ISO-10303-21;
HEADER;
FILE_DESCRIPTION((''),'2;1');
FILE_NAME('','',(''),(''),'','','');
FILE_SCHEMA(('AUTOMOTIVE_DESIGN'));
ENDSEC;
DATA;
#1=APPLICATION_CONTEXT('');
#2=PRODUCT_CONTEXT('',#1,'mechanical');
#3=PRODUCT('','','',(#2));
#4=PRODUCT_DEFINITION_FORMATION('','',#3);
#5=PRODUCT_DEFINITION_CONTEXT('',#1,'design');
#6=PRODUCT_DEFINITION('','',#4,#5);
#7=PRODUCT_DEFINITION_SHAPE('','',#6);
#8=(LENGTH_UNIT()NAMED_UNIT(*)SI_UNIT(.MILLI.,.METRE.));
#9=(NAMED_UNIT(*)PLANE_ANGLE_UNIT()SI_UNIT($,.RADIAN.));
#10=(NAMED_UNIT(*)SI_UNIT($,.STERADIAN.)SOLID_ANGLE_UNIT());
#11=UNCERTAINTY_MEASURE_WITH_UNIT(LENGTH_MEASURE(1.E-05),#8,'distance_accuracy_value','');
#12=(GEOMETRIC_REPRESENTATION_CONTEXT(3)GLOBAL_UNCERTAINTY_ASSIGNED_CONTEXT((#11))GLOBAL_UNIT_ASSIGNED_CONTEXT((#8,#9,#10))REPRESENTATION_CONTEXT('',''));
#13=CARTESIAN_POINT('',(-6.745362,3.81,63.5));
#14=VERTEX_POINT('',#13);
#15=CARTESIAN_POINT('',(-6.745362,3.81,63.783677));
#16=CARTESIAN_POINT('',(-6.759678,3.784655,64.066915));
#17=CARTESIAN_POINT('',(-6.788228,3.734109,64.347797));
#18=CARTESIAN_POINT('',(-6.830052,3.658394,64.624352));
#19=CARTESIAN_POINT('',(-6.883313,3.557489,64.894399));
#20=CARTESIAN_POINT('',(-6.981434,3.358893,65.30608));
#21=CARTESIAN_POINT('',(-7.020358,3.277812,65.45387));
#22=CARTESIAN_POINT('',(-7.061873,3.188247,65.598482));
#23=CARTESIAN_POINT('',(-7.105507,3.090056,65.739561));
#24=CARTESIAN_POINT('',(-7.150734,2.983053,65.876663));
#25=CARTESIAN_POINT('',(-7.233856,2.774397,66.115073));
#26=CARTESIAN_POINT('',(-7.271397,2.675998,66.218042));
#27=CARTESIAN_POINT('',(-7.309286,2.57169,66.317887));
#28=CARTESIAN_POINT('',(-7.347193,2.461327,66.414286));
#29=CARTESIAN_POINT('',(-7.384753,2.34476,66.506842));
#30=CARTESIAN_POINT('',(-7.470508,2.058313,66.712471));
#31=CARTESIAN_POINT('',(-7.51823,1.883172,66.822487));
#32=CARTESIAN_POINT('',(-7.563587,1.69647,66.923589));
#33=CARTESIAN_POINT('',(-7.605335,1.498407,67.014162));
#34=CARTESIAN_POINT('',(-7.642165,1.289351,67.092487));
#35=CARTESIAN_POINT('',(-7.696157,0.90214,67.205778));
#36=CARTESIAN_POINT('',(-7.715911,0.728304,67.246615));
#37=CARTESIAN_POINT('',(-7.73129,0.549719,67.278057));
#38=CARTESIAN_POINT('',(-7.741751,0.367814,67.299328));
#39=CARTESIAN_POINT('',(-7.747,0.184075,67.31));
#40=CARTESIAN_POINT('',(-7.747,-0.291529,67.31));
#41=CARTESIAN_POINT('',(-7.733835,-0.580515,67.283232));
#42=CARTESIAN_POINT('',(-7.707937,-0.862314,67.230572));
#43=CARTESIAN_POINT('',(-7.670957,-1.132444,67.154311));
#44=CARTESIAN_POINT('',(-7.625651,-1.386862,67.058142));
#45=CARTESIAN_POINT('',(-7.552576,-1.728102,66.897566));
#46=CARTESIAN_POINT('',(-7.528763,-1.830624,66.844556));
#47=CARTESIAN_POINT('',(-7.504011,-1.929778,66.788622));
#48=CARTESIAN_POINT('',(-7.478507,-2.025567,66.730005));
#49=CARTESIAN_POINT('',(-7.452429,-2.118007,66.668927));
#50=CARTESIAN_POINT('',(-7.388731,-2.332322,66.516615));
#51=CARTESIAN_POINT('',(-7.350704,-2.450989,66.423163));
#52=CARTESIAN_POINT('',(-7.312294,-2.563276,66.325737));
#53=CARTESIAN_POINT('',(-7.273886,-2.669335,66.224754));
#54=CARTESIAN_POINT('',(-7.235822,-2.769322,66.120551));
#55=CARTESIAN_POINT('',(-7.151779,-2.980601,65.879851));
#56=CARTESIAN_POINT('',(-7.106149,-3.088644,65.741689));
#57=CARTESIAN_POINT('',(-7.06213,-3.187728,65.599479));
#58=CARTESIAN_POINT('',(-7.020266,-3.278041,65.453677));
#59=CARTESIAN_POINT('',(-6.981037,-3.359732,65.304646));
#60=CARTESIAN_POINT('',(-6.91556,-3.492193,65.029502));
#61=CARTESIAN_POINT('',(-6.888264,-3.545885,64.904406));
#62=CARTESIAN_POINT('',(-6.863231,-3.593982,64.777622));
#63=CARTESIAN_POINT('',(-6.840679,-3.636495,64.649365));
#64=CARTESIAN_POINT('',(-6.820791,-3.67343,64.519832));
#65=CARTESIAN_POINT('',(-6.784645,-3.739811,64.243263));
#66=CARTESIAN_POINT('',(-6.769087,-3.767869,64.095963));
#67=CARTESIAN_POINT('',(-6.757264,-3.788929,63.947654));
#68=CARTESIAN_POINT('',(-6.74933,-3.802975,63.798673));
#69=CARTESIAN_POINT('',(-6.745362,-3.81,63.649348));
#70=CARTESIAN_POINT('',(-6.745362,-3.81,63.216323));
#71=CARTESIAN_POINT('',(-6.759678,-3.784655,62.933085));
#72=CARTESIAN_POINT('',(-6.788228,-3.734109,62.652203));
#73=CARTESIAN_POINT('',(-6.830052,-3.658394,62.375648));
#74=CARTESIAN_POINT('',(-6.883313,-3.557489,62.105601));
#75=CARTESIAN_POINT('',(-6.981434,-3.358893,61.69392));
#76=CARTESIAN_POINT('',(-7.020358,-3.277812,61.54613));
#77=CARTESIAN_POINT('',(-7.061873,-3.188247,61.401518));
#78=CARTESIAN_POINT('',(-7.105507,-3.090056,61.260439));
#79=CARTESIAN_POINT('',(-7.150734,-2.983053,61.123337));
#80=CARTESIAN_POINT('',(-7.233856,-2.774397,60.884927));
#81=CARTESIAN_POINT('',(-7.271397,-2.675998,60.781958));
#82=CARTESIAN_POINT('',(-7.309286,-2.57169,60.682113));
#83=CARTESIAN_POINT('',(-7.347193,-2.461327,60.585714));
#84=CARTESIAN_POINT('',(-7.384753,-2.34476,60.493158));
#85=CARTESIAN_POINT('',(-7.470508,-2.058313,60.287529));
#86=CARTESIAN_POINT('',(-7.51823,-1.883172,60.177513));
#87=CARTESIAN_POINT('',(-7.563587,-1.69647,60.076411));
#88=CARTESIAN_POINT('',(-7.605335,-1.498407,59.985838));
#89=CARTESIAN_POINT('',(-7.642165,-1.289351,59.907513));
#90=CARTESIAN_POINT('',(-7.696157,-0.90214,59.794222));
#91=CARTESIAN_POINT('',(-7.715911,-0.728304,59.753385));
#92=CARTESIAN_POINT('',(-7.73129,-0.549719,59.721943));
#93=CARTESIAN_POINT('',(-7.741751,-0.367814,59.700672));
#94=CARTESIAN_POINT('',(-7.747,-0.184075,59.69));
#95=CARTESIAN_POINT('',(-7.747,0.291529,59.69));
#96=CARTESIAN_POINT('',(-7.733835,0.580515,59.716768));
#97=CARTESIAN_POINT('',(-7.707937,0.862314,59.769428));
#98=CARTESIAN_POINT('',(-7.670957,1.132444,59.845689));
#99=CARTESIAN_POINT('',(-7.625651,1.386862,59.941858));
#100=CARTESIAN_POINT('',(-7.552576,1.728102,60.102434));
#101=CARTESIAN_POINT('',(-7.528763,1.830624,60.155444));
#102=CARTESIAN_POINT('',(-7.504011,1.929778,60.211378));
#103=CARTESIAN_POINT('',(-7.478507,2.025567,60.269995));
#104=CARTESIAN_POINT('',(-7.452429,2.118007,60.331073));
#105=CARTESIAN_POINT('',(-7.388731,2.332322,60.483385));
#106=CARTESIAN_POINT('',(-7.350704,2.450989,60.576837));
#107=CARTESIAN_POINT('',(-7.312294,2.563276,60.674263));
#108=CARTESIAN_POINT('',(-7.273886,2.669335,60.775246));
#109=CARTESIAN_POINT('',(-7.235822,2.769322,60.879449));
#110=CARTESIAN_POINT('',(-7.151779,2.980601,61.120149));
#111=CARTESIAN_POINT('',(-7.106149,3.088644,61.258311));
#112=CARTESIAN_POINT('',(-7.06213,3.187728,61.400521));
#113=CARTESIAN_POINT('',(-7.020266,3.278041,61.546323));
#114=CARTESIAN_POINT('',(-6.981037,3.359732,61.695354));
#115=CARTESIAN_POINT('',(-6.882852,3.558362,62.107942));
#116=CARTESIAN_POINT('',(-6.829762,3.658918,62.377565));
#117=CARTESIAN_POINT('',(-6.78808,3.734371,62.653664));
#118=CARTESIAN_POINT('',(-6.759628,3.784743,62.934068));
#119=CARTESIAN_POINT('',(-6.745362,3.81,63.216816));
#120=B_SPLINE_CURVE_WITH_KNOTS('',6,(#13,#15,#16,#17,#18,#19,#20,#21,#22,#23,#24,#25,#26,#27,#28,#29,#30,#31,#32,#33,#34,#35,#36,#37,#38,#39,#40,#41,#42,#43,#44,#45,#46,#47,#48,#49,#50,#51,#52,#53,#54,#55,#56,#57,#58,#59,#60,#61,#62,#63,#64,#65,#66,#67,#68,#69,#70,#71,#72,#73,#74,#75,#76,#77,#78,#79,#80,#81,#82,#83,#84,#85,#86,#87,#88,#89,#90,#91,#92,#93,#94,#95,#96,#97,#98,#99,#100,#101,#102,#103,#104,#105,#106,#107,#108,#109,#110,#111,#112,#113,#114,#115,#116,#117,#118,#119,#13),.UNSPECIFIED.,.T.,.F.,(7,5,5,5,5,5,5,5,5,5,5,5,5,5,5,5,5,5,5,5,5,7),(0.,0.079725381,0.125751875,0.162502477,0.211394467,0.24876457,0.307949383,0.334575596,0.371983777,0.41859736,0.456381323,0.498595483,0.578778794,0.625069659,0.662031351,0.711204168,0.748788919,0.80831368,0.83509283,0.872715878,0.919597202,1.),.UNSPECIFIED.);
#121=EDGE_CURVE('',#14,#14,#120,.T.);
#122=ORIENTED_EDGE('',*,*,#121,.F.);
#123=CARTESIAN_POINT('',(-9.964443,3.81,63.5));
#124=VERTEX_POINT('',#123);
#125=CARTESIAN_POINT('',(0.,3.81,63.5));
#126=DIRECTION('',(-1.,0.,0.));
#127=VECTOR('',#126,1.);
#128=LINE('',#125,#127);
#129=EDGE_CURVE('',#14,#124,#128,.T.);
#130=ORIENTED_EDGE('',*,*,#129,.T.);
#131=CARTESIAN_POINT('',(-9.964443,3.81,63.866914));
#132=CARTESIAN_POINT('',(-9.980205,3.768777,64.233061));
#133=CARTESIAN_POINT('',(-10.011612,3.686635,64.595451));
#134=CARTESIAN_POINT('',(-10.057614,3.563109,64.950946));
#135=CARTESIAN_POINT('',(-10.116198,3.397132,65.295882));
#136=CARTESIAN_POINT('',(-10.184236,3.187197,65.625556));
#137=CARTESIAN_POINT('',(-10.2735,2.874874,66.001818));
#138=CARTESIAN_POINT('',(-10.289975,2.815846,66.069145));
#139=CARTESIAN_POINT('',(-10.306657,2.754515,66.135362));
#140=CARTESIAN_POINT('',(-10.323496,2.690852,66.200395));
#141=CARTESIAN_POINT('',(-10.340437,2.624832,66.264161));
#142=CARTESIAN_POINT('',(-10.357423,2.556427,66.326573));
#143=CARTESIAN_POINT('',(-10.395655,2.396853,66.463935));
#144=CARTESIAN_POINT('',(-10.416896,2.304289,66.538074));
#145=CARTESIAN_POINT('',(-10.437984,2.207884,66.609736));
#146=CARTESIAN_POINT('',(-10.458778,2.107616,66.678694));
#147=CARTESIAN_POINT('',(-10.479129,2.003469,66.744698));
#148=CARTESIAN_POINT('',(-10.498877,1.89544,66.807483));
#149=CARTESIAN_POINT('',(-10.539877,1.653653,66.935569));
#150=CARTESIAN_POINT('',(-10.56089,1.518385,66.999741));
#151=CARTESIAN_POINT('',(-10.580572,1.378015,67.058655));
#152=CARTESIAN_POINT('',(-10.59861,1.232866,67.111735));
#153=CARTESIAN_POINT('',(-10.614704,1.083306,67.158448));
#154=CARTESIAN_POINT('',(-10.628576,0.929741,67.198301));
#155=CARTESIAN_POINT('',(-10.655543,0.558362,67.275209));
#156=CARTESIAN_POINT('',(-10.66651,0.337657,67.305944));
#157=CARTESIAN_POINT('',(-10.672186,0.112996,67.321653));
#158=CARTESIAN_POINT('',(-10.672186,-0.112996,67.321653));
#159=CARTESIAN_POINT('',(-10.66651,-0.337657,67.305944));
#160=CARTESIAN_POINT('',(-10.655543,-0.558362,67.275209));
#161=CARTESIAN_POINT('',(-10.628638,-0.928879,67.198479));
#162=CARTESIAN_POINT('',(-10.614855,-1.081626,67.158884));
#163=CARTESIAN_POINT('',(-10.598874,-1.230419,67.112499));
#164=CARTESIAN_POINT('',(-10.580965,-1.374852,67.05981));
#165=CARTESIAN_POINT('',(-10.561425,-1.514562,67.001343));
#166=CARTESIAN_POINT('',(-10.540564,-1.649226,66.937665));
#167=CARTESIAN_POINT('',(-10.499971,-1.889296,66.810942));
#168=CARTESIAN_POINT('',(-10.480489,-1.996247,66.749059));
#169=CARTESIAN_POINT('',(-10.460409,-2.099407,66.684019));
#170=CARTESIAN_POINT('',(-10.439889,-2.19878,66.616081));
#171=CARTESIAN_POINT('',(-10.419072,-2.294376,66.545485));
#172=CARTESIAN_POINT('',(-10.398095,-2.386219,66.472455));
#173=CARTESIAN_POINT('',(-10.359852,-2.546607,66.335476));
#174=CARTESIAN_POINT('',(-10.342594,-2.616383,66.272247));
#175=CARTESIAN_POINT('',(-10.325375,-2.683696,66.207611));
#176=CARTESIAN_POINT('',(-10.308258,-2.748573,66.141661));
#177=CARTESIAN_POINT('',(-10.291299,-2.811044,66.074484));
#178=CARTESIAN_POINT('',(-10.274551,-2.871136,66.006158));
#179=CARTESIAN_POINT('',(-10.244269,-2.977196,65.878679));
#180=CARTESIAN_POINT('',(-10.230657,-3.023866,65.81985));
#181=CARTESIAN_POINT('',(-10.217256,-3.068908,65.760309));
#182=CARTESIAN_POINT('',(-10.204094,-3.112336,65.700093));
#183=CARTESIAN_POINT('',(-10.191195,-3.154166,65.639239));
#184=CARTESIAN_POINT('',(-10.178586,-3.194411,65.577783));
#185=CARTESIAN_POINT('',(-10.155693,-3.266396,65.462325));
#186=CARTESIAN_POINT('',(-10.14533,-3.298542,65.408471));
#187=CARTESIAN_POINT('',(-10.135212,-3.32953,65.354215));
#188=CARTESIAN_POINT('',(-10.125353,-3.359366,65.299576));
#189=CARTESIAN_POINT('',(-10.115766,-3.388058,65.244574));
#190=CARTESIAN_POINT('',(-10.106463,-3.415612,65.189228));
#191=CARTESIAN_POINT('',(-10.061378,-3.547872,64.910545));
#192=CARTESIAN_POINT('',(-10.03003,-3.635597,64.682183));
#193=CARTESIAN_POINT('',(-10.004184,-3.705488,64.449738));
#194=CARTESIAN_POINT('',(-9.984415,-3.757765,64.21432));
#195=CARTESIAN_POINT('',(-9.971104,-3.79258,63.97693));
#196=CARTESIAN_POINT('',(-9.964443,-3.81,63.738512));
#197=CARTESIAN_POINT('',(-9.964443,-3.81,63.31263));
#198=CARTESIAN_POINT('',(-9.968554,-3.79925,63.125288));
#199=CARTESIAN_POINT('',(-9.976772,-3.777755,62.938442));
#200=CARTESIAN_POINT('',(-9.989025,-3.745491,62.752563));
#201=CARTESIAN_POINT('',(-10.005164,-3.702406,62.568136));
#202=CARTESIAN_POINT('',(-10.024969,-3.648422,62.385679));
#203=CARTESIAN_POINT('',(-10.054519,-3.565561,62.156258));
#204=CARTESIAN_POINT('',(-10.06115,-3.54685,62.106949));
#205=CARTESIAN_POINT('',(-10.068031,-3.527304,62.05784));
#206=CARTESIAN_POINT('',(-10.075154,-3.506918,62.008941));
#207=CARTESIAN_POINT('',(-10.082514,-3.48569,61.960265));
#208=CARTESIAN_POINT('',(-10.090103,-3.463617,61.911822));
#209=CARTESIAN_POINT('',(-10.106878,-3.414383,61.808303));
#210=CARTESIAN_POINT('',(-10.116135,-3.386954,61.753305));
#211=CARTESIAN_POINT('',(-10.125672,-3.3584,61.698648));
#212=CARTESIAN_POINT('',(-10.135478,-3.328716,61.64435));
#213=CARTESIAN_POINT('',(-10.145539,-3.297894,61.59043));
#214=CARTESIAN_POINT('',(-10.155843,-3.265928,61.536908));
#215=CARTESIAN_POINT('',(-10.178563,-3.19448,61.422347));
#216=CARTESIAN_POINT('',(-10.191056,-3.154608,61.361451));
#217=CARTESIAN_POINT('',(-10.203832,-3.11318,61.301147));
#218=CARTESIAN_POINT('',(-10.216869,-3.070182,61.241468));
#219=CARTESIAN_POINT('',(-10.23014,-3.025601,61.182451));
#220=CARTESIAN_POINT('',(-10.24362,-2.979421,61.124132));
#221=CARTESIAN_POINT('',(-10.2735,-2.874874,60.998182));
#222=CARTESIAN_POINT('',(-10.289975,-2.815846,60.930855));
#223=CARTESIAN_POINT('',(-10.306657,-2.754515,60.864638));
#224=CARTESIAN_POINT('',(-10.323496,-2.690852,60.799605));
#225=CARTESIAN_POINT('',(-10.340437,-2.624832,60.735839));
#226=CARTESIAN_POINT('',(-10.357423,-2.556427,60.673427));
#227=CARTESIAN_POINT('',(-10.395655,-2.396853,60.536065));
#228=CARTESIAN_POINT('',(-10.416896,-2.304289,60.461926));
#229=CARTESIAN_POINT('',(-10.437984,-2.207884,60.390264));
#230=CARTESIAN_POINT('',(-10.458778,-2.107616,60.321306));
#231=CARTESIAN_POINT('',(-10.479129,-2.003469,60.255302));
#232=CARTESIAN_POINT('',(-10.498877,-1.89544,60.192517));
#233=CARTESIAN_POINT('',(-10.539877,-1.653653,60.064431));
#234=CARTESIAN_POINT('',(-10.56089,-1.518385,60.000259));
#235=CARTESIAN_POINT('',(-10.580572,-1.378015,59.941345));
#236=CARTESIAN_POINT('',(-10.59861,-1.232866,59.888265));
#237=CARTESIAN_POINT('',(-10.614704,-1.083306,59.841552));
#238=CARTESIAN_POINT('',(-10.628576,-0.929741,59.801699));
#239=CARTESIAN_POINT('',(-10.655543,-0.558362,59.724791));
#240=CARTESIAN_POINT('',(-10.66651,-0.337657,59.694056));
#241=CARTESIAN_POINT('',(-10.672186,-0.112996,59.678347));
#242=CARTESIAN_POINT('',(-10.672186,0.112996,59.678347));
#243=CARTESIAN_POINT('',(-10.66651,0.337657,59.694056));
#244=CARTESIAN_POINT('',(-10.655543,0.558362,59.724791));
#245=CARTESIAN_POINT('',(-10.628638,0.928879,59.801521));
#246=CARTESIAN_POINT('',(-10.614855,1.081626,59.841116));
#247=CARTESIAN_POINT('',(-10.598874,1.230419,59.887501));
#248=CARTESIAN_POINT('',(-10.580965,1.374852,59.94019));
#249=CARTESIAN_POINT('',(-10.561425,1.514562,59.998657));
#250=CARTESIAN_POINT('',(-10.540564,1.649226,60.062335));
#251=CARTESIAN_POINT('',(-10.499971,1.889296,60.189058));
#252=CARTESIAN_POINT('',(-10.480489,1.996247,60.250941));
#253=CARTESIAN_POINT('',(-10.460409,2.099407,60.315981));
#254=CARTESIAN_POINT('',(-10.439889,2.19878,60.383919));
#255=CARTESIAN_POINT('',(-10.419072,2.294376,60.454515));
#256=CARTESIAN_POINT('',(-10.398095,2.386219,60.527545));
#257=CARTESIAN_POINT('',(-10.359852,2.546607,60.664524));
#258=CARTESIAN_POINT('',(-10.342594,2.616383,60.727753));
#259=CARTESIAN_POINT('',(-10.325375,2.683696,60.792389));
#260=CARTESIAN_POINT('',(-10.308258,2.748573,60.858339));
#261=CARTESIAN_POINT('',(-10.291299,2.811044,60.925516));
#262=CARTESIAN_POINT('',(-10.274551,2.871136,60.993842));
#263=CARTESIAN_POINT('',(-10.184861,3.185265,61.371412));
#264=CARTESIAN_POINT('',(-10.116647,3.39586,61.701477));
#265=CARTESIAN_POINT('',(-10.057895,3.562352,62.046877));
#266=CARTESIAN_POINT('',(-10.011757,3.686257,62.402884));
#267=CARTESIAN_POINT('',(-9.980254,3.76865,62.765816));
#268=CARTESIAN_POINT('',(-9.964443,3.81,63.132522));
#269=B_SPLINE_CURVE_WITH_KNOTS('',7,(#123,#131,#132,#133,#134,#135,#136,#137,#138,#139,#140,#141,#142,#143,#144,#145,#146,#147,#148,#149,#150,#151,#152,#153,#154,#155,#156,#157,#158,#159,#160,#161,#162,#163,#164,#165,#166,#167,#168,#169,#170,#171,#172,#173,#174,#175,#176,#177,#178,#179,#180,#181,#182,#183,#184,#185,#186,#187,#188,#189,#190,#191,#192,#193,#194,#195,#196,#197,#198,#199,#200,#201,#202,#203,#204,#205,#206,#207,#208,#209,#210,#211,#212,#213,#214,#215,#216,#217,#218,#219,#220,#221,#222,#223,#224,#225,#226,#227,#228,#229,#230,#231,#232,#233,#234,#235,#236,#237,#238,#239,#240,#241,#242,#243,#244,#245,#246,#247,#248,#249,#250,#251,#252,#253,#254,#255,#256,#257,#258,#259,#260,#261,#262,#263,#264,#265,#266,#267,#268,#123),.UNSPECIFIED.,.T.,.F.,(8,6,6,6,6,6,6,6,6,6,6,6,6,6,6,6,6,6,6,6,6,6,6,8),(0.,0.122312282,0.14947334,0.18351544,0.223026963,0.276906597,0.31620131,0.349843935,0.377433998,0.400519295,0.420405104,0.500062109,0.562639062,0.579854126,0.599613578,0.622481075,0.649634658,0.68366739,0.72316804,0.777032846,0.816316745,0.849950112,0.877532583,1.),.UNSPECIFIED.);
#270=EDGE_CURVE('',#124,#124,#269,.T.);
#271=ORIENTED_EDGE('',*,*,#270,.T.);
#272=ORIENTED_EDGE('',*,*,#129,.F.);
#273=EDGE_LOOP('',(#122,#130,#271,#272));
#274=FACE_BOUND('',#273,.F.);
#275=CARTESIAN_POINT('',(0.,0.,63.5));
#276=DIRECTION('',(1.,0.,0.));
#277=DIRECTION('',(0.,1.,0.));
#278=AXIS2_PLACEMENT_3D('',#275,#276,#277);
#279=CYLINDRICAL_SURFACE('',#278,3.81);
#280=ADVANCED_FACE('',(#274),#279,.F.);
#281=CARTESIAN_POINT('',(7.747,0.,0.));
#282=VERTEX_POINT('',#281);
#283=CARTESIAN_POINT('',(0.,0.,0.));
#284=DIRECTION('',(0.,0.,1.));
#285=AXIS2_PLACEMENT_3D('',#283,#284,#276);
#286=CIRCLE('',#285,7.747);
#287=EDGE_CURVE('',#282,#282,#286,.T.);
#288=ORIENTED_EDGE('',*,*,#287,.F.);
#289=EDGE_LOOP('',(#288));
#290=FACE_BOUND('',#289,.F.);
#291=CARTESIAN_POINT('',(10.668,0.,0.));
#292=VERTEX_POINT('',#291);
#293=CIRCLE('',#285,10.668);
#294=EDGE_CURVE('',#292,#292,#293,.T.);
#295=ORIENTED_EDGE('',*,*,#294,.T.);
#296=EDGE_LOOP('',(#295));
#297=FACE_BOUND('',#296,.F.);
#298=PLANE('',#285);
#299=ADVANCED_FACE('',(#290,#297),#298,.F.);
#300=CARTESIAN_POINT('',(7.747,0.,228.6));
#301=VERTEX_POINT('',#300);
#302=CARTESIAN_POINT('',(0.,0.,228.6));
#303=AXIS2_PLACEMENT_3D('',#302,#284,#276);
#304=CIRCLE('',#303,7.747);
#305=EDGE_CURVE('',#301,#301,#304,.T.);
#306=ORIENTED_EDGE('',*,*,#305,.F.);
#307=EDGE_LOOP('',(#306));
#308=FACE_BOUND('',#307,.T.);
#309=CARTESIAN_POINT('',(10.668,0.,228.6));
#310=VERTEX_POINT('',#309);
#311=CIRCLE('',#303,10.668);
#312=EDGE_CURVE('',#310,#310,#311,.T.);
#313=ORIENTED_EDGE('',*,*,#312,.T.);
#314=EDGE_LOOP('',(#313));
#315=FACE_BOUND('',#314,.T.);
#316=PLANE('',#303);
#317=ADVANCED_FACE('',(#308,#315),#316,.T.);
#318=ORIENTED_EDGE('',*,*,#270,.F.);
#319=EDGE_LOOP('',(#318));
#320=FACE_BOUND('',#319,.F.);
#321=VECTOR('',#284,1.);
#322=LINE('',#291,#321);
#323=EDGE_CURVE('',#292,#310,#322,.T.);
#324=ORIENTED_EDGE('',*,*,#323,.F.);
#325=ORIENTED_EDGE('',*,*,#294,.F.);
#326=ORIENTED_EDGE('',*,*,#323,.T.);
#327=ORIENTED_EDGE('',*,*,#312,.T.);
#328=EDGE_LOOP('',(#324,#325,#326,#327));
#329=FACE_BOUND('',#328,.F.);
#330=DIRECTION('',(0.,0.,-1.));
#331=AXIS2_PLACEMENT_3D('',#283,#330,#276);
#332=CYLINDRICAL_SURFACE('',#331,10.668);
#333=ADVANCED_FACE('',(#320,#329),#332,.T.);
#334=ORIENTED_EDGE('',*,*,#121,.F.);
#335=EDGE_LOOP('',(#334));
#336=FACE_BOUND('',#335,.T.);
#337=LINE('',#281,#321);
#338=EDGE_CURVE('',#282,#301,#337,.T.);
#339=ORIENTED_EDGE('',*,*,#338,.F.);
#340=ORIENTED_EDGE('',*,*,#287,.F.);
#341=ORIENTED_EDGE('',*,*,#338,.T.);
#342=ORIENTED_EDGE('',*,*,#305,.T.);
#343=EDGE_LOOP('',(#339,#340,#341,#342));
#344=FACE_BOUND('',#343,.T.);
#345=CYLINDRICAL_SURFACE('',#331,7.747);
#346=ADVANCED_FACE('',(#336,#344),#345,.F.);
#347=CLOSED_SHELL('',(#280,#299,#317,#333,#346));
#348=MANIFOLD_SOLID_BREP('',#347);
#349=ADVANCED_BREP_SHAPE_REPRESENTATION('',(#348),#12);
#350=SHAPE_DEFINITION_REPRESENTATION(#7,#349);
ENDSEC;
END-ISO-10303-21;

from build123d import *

# Parameters (mm, degrees)
F0_R     = 10.668
F0_R_2   = 7.747
F1_DEPTH = 228.6
F2_R     = 3.81
F3_DEPTH = 25.4


with BuildPart() as f1:
    # F0 (on Top) → F1 (new body)
    with BuildSketch(Plane.XY):
        Circle(F0_R)
        Circle(F0_R_2, mode=Mode.SUBTRACT)
    extrude(amount=F1_DEPTH)

    # F2 (on Right) → F3 (cut)
    with BuildSketch(Plane.YZ):
        with Locations((0, 63.5)):
            Circle(F2_R)
    extrude(amount=-F3_DEPTH, mode=Mode.SUBTRACT)


solid = f1.part
